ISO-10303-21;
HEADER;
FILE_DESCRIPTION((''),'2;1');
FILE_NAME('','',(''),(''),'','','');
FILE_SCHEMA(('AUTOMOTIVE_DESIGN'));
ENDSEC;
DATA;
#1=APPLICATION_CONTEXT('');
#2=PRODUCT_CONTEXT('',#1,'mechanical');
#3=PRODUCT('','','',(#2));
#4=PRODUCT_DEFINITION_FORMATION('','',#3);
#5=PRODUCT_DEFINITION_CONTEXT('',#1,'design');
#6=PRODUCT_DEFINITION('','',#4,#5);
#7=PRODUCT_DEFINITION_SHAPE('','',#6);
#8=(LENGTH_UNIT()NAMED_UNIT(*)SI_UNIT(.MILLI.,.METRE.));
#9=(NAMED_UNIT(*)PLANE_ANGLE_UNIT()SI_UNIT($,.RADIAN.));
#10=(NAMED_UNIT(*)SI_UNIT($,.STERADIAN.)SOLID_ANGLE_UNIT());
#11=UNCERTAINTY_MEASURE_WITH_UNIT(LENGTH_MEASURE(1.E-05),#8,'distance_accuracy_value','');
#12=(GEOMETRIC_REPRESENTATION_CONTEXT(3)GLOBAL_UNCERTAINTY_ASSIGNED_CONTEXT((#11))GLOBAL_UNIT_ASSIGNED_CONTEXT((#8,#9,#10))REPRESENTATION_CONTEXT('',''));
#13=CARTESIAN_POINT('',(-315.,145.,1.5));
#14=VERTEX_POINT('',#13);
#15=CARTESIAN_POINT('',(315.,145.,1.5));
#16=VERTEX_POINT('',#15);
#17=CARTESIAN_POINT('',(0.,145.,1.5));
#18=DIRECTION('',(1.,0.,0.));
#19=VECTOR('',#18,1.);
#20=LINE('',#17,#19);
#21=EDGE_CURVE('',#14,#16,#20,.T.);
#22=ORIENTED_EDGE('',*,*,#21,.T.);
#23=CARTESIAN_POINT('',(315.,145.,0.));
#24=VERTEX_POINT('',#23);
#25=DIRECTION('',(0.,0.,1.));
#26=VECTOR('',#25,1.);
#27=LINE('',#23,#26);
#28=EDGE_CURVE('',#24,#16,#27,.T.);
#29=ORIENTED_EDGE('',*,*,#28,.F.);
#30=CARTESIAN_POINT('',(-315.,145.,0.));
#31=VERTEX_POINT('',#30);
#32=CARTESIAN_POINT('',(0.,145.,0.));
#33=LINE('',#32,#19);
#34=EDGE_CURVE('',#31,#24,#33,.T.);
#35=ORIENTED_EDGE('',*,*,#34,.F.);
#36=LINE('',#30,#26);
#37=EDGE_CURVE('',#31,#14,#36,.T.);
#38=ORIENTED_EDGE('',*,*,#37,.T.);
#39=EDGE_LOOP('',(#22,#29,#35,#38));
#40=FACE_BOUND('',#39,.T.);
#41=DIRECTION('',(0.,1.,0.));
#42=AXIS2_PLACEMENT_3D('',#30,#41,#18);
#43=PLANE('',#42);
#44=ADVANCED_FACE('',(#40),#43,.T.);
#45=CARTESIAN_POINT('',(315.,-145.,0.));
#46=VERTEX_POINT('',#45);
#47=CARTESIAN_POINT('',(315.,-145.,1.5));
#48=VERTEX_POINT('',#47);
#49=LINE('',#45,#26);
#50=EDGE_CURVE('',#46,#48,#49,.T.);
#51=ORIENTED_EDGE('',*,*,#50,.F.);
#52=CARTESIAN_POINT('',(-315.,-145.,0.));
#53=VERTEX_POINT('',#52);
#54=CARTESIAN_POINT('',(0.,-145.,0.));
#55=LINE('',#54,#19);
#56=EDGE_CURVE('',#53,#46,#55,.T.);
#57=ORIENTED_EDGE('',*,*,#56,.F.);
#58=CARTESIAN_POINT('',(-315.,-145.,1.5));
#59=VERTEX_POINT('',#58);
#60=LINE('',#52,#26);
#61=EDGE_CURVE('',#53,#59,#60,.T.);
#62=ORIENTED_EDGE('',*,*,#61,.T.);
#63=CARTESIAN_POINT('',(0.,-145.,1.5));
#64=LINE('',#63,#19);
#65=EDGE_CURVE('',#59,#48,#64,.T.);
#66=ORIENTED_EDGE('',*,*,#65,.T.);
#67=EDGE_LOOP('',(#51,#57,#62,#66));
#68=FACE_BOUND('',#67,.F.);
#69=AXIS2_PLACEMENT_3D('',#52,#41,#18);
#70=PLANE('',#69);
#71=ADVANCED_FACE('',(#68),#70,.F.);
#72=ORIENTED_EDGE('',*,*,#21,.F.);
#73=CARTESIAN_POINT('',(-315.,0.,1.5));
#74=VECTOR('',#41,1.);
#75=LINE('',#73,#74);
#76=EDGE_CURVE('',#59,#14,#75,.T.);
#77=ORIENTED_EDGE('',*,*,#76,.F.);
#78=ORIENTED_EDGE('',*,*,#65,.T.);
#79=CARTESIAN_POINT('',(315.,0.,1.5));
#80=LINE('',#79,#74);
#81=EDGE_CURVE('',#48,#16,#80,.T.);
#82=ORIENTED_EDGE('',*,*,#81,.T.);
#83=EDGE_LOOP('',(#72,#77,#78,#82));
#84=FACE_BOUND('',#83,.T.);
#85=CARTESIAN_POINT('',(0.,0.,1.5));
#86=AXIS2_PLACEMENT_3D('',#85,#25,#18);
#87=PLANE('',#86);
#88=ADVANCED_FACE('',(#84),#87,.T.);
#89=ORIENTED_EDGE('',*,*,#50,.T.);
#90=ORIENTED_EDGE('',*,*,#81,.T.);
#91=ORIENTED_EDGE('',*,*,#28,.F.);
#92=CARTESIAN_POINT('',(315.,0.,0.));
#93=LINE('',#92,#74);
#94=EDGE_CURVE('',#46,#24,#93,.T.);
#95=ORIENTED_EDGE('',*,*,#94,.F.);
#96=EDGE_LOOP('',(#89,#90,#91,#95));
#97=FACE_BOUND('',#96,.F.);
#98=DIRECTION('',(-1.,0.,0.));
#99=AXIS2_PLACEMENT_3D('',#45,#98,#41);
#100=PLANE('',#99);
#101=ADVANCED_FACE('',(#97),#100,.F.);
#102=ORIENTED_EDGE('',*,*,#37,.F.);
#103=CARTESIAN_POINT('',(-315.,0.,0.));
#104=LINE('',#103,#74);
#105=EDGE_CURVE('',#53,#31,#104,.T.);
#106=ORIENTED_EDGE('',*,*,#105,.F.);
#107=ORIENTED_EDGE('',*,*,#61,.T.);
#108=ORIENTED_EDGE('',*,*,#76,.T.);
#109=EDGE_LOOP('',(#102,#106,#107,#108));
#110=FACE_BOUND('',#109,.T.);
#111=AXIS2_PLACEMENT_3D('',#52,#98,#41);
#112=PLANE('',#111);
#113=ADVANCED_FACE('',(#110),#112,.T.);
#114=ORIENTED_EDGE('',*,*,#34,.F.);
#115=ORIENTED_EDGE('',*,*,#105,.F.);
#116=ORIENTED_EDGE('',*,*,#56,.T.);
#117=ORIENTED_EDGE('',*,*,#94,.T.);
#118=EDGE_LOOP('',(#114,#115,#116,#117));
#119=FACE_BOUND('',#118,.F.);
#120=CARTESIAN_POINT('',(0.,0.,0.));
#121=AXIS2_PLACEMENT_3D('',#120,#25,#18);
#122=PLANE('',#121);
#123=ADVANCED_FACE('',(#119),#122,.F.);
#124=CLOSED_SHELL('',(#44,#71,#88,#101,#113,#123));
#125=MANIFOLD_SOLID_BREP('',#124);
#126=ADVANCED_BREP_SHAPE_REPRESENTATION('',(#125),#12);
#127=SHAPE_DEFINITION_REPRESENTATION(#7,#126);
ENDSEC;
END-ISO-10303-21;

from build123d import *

# Parameters (mm, degrees)
SKETCH_W  = 630
SKETCH_H  = 290
PAD_DEPTH = 1.5


with BuildPart() as part:
    # Sketch → Pad (new body)
    with BuildSketch(Plane.XY):
        Rectangle(SKETCH_W, SKETCH_H)
    extrude(amount=PAD_DEPTH)


solid = part.part
